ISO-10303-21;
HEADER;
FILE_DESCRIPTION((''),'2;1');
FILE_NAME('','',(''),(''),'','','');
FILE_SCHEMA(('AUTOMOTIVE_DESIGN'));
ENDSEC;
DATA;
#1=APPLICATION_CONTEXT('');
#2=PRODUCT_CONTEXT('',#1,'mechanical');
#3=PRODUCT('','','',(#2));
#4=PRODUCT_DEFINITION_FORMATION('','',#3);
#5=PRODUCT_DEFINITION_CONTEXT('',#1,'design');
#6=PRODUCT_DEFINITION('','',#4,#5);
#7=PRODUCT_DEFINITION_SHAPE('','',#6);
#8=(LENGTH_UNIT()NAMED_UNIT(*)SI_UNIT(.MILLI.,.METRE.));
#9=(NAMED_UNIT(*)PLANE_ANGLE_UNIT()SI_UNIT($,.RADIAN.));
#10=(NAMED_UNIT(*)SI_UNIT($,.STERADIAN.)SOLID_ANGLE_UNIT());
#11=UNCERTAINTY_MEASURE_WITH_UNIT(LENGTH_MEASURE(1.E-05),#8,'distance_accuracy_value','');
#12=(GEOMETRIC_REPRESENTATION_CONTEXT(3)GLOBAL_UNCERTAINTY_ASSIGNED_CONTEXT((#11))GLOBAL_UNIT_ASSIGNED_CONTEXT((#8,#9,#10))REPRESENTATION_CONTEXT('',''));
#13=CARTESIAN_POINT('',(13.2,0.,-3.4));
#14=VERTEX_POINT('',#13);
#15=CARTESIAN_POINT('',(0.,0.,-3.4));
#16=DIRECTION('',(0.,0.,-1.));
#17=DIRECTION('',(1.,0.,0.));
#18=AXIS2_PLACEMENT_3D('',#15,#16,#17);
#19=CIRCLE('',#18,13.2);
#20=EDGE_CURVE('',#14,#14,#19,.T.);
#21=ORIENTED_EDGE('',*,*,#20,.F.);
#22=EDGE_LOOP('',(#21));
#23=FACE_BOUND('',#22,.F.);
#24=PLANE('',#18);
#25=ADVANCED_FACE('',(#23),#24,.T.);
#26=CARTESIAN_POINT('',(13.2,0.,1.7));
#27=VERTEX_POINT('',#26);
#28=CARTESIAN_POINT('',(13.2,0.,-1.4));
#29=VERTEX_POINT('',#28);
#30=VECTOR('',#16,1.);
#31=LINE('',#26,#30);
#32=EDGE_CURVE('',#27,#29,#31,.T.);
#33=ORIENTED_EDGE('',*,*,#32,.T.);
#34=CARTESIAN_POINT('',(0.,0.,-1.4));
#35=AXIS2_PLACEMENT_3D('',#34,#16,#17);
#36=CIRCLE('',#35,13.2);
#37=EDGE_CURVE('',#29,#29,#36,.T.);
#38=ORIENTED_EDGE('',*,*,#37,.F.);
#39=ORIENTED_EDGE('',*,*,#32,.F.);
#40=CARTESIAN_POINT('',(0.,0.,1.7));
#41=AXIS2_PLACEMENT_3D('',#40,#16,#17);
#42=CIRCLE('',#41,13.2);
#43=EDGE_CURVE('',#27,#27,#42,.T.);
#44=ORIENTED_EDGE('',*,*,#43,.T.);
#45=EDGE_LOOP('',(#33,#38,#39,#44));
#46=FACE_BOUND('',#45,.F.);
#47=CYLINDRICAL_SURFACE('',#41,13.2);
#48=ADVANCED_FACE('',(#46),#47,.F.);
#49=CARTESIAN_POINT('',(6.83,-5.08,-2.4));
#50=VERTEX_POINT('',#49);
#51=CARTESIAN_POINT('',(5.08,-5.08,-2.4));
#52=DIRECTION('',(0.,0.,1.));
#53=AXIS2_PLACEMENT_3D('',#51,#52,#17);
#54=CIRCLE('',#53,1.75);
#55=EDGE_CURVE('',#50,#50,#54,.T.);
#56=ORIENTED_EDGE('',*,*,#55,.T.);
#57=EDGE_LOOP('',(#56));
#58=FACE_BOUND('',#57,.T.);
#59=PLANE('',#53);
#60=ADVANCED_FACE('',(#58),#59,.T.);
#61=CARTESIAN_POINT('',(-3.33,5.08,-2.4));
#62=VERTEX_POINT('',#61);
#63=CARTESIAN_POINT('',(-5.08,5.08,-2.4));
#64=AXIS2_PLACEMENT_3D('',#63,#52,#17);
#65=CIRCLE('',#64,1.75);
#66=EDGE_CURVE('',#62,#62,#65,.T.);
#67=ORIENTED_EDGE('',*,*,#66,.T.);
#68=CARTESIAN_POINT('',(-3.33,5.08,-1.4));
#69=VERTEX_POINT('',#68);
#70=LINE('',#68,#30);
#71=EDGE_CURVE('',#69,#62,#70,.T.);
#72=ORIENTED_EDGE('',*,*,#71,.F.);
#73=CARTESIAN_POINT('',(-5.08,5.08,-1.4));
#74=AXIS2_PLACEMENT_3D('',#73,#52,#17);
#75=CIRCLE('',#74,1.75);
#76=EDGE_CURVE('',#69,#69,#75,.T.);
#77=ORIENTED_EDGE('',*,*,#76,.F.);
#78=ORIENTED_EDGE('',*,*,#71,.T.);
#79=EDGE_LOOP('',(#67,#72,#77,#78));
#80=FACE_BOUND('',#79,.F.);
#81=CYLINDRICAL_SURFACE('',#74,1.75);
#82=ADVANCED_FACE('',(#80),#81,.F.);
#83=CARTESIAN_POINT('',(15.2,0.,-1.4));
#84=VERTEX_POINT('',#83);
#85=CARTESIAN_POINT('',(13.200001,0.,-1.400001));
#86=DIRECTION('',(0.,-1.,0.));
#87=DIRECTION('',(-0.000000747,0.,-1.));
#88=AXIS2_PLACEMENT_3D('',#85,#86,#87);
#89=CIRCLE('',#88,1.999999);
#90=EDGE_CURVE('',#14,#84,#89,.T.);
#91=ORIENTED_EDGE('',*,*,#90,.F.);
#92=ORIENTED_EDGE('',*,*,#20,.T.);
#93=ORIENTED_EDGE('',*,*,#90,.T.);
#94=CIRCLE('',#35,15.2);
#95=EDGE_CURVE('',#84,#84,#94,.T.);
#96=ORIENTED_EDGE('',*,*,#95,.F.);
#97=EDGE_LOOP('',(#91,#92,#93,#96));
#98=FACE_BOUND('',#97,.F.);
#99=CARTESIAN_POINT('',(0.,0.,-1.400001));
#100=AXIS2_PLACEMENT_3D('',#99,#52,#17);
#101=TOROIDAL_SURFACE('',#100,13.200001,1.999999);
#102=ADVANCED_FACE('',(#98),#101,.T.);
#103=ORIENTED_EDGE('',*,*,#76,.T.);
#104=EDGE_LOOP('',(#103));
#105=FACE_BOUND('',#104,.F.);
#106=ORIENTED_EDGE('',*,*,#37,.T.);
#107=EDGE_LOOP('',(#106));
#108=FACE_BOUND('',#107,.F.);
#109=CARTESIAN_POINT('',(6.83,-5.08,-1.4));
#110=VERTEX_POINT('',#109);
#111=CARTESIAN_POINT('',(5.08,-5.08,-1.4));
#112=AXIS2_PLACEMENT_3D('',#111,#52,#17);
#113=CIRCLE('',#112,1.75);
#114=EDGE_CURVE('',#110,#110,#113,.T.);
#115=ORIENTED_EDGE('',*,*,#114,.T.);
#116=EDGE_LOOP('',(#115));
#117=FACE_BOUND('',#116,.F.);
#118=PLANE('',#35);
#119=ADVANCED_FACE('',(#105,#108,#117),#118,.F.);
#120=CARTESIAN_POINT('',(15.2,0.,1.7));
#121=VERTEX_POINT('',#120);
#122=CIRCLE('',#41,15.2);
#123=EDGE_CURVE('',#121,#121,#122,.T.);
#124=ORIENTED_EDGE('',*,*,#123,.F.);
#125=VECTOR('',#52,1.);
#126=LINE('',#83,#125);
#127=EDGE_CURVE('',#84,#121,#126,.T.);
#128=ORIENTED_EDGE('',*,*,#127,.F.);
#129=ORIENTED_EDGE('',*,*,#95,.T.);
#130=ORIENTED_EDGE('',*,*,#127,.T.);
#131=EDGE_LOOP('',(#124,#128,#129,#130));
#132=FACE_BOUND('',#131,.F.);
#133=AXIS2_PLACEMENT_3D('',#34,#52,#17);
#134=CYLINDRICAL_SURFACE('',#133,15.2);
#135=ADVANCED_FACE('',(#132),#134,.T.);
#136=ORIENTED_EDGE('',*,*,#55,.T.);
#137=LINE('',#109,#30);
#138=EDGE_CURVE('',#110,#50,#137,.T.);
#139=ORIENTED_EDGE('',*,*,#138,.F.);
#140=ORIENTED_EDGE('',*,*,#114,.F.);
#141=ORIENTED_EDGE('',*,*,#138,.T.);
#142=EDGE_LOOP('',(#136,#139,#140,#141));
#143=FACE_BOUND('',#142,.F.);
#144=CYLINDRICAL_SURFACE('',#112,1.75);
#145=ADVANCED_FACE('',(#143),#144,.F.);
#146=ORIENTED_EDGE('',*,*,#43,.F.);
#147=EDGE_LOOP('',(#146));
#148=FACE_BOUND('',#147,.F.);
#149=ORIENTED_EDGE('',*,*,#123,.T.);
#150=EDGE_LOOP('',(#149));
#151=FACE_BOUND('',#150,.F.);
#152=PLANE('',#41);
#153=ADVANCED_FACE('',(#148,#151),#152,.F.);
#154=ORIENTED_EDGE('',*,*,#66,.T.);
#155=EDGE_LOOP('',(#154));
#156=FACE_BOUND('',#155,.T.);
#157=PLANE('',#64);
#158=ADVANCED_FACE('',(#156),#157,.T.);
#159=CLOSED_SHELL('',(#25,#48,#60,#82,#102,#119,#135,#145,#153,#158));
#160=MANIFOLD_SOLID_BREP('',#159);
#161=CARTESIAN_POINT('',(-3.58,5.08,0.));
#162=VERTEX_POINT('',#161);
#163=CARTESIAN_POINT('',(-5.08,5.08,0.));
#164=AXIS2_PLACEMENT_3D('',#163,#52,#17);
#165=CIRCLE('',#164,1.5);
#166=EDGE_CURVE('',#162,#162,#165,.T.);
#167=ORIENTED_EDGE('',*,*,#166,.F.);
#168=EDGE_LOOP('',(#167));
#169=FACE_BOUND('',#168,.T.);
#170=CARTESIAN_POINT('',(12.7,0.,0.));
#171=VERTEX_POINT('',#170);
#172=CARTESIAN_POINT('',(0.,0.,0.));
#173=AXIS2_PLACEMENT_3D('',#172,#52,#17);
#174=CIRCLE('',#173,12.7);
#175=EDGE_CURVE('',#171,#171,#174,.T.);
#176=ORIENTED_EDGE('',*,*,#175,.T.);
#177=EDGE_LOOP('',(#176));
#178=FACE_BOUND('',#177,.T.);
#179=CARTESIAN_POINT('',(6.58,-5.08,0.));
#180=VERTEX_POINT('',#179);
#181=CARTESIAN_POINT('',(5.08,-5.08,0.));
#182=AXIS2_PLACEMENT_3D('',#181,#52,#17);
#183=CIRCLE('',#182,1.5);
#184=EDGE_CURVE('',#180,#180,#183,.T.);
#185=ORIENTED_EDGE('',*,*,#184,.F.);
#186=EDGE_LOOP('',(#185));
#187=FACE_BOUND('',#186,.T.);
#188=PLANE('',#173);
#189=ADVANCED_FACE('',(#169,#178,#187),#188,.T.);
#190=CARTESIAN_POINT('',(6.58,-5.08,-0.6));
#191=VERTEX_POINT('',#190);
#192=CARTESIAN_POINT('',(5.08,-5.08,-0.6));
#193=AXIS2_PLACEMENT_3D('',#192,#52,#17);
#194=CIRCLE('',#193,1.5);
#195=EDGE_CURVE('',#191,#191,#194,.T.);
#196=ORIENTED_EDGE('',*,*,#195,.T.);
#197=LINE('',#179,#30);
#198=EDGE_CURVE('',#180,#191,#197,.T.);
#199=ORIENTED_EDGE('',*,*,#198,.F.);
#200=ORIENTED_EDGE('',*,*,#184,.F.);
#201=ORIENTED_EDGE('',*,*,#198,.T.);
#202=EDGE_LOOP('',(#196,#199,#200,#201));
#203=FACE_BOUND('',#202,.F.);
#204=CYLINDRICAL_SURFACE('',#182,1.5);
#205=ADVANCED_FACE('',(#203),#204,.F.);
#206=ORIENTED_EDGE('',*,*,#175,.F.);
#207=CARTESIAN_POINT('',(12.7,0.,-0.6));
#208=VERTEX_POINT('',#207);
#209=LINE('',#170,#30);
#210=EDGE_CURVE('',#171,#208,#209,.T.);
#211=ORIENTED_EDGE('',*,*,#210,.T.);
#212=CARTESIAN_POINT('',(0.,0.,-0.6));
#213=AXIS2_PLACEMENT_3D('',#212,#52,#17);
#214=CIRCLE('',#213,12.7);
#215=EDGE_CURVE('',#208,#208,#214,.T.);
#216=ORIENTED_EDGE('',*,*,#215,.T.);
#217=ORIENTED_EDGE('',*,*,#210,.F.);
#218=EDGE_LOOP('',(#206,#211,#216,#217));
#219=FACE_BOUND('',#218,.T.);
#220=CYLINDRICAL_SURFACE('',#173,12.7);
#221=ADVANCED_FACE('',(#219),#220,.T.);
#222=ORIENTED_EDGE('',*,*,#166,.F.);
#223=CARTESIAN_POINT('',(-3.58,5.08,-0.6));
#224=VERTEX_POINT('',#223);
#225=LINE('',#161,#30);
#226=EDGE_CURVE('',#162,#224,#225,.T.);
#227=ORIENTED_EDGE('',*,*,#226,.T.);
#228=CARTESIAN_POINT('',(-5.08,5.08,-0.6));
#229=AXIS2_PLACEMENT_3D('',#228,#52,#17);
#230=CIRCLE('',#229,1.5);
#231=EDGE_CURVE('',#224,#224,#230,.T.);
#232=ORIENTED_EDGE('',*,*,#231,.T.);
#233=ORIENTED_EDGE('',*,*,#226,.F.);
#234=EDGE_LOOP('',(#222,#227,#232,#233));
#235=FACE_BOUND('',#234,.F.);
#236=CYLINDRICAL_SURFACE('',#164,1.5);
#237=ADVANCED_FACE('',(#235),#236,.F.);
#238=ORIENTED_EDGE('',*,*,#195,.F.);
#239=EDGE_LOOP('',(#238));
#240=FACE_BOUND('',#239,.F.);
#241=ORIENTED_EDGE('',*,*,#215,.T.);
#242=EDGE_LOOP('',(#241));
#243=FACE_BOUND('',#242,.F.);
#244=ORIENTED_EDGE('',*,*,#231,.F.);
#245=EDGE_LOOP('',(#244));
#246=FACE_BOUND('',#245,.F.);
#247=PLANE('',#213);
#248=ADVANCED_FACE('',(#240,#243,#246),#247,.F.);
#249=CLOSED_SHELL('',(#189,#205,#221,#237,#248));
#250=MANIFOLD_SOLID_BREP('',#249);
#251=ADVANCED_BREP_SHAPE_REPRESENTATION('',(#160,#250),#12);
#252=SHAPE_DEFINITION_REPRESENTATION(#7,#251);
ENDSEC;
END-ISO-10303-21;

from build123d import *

# Parameters (mm, degrees)
F1_R     = 12.7
F1_R_2   = 1.5
F2_DEPTH = 0.6
F5_R     = 1.75
F6_DEPTH = 1


with BuildPart() as f2:
    # F1 (on Top) → F2 (new body)
    with BuildSketch(Plane.XY):
        Circle(F1_R)
        with Locations((5.08, -5.08)):
            Circle(F1_R_2, mode=Mode.SUBTRACT)
        with Locations((-5.08, 5.08)):
            Circle(F1_R_2, mode=Mode.SUBTRACT)
    extrude(amount=-F2_DEPTH)


with BuildPart() as f4:
    # F3 (on Front) → F4 (revolve)
    with BuildSketch(Plane.XZ):
        with BuildLine():
            Line((13.2, -1.4), (0, -1.4))
            Line((0, -1.4), (0, -3.4))
            Line((0, -3.4), (13.2, -3.4))
            ThreePointArc((13.2, -3.4), (14.614214, -2.814214), (15.2, -1.4))
            Line((15.2, -1.4), (15.2, 1.7))
            Line((15.2, 1.7), (13.2, 1.7))
            Line((13.2, 1.7), (13.2, -1.4))
        make_face()
    revolve(axis=Axis((0, 0, -2.4), (0, 0, -1)))

    # F5 (on face) → F6 (cut)
    with BuildSketch(Plane.XY.offset(-1.4)):
        with Locations((-5.08, 5.08)):
            Circle(F5_R)
        with Locations((5.08, -5.08)):
            Circle(F5_R)
    extrude(amount=-F6_DEPTH, mode=Mode.SUBTRACT)


solid = Compound([f2.part, f4.part])
